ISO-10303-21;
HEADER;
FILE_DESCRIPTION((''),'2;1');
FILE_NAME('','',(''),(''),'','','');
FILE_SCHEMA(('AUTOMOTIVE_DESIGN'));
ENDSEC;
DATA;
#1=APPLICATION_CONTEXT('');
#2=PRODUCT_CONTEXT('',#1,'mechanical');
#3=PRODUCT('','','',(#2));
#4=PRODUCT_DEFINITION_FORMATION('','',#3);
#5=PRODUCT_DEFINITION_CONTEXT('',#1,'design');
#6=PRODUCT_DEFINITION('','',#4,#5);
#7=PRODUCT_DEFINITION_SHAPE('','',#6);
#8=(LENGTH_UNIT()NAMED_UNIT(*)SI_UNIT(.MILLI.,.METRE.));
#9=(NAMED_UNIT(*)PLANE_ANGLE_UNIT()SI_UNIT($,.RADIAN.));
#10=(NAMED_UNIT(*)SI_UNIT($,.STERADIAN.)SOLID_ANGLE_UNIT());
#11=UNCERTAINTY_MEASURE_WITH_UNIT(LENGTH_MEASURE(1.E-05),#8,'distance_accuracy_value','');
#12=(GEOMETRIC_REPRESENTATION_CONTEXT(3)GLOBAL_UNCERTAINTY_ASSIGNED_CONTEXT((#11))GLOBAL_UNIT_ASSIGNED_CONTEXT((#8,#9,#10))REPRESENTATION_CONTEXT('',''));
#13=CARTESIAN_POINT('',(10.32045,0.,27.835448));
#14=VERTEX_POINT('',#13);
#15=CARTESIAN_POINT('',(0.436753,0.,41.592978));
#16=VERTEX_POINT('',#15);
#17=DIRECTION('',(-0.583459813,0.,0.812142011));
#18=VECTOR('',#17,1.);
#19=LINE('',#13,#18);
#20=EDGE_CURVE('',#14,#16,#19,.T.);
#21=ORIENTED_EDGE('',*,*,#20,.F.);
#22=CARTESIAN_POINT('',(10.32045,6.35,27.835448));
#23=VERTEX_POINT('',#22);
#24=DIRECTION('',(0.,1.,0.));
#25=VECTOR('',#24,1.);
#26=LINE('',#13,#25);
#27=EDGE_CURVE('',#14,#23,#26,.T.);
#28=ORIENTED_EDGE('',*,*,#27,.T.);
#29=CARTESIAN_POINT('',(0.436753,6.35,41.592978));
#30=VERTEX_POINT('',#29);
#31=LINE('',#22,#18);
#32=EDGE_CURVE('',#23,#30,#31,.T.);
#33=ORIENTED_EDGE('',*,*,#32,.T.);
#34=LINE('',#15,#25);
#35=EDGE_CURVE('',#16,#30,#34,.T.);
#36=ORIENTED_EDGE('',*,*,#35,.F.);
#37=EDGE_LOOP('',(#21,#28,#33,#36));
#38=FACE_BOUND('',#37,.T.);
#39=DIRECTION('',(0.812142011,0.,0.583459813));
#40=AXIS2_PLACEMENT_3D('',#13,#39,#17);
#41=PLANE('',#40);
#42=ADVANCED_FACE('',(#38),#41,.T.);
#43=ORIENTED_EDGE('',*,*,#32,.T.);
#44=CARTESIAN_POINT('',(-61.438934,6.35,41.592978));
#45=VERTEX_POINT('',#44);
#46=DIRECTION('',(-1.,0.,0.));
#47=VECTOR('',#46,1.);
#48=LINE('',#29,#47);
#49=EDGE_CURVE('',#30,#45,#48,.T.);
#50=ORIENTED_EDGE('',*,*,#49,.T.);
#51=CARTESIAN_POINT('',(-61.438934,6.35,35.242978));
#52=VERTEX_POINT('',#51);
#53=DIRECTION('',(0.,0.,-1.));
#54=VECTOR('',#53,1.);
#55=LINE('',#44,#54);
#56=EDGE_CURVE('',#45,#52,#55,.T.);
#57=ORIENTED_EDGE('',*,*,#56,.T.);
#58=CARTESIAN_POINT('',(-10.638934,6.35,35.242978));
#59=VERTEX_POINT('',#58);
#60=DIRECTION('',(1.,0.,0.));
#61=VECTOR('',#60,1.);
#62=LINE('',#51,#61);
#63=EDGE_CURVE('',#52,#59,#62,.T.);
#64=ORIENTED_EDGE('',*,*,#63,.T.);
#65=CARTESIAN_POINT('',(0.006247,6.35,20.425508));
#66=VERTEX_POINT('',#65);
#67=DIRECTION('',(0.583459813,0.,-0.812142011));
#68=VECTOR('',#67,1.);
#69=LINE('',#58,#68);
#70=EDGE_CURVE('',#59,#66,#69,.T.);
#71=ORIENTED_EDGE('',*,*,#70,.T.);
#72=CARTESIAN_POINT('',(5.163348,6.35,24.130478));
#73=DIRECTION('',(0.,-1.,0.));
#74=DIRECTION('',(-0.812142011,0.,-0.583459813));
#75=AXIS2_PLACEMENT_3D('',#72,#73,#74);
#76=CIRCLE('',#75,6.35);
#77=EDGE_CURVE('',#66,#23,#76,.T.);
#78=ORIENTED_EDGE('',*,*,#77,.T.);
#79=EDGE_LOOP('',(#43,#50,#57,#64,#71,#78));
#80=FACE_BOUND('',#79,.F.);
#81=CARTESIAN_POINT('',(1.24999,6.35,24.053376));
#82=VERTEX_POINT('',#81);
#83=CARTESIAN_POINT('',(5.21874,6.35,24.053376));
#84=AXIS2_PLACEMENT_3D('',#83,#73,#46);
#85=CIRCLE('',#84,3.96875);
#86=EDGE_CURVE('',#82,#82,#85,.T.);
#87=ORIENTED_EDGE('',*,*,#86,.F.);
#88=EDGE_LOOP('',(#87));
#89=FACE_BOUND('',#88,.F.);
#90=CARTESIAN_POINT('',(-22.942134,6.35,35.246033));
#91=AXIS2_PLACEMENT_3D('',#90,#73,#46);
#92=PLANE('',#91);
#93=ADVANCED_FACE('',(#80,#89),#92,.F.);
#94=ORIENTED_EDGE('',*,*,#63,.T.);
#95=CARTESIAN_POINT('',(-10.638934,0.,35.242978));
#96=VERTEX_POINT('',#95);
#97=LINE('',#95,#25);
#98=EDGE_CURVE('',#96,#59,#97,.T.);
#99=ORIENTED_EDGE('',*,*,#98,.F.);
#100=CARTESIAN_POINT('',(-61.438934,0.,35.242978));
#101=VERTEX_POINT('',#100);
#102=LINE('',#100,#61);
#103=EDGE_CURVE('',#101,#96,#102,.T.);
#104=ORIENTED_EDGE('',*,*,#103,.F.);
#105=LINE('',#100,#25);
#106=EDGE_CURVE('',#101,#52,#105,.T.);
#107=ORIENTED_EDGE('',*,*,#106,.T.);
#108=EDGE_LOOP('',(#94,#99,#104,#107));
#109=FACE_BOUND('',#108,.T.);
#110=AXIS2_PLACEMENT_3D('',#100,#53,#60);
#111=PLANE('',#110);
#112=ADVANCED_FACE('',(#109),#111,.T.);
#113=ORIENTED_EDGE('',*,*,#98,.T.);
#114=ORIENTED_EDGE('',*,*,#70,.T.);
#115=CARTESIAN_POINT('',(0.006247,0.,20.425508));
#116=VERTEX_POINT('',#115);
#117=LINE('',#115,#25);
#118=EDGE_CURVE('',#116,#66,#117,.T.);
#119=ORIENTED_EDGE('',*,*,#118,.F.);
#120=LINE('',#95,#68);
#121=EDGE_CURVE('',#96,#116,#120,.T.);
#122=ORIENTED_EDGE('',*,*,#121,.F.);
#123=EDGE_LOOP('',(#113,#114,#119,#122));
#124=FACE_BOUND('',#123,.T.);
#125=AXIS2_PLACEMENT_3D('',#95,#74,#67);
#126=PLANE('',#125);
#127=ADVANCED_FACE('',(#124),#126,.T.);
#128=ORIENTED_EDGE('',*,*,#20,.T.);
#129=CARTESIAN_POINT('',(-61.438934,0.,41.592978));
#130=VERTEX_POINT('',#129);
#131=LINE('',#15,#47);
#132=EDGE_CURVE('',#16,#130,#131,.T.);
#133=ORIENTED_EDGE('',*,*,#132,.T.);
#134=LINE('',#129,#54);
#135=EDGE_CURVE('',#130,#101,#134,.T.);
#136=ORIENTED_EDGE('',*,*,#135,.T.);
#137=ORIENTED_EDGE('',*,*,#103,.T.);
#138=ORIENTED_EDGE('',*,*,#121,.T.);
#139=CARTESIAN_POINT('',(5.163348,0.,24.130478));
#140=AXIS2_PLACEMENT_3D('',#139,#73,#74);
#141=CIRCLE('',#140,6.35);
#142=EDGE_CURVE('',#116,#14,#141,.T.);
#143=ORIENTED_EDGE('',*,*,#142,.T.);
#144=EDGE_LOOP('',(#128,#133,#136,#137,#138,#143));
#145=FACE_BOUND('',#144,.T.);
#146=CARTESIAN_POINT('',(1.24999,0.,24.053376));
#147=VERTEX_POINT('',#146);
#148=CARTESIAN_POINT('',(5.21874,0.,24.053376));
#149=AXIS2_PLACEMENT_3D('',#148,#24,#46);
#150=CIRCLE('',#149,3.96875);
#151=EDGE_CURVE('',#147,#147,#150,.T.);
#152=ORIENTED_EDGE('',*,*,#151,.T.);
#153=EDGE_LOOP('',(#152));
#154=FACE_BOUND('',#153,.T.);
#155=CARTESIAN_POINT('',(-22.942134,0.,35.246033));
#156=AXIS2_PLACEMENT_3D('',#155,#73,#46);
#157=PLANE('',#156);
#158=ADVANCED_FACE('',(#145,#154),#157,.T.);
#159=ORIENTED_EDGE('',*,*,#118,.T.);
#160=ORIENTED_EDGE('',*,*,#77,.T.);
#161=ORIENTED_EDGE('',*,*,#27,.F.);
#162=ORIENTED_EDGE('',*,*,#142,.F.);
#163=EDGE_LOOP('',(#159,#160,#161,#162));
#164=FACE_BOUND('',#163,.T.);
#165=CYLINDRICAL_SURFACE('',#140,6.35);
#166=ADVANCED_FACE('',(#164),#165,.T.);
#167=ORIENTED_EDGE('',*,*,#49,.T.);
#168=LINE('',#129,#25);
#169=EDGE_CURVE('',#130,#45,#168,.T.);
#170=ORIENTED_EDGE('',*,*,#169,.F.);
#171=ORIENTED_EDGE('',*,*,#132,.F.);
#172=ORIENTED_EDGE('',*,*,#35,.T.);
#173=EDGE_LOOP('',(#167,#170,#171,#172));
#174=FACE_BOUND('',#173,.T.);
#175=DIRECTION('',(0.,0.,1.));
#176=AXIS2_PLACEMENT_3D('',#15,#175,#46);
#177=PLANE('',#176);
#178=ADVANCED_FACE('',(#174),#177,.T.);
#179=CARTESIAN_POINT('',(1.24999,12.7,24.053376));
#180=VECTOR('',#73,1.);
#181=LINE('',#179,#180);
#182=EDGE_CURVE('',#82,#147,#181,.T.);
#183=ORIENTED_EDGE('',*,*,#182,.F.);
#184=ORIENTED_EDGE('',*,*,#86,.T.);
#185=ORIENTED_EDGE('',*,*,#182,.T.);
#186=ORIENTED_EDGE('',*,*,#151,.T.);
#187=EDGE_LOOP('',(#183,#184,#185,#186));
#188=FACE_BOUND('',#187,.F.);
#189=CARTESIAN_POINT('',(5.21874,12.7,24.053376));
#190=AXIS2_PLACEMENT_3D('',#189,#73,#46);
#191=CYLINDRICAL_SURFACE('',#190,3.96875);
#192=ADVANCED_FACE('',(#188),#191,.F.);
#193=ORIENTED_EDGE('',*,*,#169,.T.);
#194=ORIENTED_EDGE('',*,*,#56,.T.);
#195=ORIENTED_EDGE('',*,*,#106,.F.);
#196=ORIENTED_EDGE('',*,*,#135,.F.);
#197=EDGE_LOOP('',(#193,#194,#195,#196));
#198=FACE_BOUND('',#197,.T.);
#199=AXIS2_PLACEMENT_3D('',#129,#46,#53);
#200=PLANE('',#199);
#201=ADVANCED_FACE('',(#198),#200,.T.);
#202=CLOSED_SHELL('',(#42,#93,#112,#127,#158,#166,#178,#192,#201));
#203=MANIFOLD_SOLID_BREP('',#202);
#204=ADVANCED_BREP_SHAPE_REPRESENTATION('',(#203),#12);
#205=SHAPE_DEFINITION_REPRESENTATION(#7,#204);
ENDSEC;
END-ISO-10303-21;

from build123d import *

# Parameters (mm, degrees)
BOSS_EXTRUDE1_DEPTH         = 6.35
F_3_8_16_TAPPED_HOLE1_D     = 7.9375
F_3_8_16_TAPPED_HOLE1_DEPTH = 6.35
F_3_8_16_TAPPED_HOLE1_TIP   = 2.384665582


with BuildPart() as part:
    # Sketch2 → Boss-Extrude1 (new body)
    with BuildSketch(Plane(origin=(0, 0, 0), x_dir=(1, 0, 0), z_dir=(0, 1, 0))):
        with BuildLine():
            Line((-10.638933845, -35.242978242), (0.0062465, -20.425508427))
            ThreePointArc((0.0062465, -20.425508427), (8.868318086, -18.973376472), (10.320450041, -27.835448057))
            Line((10.320450041, -27.835448057), (0.436752504, -41.592978242))
            Line((0.436752504, -41.592978242), (-10.638933845, -41.592978242))
            Line((-10.638933845, -41.592978242), (-61.438933845, -41.592978242))
            Line((-61.438933845, -41.592978242), (-61.438933845, -35.242978242))
            Line((-61.438933845, -35.242978242), (-10.638933845, -35.242978242))
        make_face()
    extrude(amount=BOSS_EXTRUDE1_DEPTH)

    # 3/8-16 Tapped Hole1
    with Locations(Plane(origin=(0, 6.35, 0), x_dir=(1, 0, 0), z_dir=(0, 1, 0))):
        with Locations((5.218739795, -24.053376472)):
            Hole(F_3_8_16_TAPPED_HOLE1_D / 2, depth=F_3_8_16_TAPPED_HOLE1_DEPTH)
            with Locations((0, 0, -(F_3_8_16_TAPPED_HOLE1_DEPTH + F_3_8_16_TAPPED_HOLE1_TIP / 2))):  # 118° drill point
                Cone(0, F_3_8_16_TAPPED_HOLE1_D / 2, F_3_8_16_TAPPED_HOLE1_TIP, mode=Mode.SUBTRACT)


solid = part.part
